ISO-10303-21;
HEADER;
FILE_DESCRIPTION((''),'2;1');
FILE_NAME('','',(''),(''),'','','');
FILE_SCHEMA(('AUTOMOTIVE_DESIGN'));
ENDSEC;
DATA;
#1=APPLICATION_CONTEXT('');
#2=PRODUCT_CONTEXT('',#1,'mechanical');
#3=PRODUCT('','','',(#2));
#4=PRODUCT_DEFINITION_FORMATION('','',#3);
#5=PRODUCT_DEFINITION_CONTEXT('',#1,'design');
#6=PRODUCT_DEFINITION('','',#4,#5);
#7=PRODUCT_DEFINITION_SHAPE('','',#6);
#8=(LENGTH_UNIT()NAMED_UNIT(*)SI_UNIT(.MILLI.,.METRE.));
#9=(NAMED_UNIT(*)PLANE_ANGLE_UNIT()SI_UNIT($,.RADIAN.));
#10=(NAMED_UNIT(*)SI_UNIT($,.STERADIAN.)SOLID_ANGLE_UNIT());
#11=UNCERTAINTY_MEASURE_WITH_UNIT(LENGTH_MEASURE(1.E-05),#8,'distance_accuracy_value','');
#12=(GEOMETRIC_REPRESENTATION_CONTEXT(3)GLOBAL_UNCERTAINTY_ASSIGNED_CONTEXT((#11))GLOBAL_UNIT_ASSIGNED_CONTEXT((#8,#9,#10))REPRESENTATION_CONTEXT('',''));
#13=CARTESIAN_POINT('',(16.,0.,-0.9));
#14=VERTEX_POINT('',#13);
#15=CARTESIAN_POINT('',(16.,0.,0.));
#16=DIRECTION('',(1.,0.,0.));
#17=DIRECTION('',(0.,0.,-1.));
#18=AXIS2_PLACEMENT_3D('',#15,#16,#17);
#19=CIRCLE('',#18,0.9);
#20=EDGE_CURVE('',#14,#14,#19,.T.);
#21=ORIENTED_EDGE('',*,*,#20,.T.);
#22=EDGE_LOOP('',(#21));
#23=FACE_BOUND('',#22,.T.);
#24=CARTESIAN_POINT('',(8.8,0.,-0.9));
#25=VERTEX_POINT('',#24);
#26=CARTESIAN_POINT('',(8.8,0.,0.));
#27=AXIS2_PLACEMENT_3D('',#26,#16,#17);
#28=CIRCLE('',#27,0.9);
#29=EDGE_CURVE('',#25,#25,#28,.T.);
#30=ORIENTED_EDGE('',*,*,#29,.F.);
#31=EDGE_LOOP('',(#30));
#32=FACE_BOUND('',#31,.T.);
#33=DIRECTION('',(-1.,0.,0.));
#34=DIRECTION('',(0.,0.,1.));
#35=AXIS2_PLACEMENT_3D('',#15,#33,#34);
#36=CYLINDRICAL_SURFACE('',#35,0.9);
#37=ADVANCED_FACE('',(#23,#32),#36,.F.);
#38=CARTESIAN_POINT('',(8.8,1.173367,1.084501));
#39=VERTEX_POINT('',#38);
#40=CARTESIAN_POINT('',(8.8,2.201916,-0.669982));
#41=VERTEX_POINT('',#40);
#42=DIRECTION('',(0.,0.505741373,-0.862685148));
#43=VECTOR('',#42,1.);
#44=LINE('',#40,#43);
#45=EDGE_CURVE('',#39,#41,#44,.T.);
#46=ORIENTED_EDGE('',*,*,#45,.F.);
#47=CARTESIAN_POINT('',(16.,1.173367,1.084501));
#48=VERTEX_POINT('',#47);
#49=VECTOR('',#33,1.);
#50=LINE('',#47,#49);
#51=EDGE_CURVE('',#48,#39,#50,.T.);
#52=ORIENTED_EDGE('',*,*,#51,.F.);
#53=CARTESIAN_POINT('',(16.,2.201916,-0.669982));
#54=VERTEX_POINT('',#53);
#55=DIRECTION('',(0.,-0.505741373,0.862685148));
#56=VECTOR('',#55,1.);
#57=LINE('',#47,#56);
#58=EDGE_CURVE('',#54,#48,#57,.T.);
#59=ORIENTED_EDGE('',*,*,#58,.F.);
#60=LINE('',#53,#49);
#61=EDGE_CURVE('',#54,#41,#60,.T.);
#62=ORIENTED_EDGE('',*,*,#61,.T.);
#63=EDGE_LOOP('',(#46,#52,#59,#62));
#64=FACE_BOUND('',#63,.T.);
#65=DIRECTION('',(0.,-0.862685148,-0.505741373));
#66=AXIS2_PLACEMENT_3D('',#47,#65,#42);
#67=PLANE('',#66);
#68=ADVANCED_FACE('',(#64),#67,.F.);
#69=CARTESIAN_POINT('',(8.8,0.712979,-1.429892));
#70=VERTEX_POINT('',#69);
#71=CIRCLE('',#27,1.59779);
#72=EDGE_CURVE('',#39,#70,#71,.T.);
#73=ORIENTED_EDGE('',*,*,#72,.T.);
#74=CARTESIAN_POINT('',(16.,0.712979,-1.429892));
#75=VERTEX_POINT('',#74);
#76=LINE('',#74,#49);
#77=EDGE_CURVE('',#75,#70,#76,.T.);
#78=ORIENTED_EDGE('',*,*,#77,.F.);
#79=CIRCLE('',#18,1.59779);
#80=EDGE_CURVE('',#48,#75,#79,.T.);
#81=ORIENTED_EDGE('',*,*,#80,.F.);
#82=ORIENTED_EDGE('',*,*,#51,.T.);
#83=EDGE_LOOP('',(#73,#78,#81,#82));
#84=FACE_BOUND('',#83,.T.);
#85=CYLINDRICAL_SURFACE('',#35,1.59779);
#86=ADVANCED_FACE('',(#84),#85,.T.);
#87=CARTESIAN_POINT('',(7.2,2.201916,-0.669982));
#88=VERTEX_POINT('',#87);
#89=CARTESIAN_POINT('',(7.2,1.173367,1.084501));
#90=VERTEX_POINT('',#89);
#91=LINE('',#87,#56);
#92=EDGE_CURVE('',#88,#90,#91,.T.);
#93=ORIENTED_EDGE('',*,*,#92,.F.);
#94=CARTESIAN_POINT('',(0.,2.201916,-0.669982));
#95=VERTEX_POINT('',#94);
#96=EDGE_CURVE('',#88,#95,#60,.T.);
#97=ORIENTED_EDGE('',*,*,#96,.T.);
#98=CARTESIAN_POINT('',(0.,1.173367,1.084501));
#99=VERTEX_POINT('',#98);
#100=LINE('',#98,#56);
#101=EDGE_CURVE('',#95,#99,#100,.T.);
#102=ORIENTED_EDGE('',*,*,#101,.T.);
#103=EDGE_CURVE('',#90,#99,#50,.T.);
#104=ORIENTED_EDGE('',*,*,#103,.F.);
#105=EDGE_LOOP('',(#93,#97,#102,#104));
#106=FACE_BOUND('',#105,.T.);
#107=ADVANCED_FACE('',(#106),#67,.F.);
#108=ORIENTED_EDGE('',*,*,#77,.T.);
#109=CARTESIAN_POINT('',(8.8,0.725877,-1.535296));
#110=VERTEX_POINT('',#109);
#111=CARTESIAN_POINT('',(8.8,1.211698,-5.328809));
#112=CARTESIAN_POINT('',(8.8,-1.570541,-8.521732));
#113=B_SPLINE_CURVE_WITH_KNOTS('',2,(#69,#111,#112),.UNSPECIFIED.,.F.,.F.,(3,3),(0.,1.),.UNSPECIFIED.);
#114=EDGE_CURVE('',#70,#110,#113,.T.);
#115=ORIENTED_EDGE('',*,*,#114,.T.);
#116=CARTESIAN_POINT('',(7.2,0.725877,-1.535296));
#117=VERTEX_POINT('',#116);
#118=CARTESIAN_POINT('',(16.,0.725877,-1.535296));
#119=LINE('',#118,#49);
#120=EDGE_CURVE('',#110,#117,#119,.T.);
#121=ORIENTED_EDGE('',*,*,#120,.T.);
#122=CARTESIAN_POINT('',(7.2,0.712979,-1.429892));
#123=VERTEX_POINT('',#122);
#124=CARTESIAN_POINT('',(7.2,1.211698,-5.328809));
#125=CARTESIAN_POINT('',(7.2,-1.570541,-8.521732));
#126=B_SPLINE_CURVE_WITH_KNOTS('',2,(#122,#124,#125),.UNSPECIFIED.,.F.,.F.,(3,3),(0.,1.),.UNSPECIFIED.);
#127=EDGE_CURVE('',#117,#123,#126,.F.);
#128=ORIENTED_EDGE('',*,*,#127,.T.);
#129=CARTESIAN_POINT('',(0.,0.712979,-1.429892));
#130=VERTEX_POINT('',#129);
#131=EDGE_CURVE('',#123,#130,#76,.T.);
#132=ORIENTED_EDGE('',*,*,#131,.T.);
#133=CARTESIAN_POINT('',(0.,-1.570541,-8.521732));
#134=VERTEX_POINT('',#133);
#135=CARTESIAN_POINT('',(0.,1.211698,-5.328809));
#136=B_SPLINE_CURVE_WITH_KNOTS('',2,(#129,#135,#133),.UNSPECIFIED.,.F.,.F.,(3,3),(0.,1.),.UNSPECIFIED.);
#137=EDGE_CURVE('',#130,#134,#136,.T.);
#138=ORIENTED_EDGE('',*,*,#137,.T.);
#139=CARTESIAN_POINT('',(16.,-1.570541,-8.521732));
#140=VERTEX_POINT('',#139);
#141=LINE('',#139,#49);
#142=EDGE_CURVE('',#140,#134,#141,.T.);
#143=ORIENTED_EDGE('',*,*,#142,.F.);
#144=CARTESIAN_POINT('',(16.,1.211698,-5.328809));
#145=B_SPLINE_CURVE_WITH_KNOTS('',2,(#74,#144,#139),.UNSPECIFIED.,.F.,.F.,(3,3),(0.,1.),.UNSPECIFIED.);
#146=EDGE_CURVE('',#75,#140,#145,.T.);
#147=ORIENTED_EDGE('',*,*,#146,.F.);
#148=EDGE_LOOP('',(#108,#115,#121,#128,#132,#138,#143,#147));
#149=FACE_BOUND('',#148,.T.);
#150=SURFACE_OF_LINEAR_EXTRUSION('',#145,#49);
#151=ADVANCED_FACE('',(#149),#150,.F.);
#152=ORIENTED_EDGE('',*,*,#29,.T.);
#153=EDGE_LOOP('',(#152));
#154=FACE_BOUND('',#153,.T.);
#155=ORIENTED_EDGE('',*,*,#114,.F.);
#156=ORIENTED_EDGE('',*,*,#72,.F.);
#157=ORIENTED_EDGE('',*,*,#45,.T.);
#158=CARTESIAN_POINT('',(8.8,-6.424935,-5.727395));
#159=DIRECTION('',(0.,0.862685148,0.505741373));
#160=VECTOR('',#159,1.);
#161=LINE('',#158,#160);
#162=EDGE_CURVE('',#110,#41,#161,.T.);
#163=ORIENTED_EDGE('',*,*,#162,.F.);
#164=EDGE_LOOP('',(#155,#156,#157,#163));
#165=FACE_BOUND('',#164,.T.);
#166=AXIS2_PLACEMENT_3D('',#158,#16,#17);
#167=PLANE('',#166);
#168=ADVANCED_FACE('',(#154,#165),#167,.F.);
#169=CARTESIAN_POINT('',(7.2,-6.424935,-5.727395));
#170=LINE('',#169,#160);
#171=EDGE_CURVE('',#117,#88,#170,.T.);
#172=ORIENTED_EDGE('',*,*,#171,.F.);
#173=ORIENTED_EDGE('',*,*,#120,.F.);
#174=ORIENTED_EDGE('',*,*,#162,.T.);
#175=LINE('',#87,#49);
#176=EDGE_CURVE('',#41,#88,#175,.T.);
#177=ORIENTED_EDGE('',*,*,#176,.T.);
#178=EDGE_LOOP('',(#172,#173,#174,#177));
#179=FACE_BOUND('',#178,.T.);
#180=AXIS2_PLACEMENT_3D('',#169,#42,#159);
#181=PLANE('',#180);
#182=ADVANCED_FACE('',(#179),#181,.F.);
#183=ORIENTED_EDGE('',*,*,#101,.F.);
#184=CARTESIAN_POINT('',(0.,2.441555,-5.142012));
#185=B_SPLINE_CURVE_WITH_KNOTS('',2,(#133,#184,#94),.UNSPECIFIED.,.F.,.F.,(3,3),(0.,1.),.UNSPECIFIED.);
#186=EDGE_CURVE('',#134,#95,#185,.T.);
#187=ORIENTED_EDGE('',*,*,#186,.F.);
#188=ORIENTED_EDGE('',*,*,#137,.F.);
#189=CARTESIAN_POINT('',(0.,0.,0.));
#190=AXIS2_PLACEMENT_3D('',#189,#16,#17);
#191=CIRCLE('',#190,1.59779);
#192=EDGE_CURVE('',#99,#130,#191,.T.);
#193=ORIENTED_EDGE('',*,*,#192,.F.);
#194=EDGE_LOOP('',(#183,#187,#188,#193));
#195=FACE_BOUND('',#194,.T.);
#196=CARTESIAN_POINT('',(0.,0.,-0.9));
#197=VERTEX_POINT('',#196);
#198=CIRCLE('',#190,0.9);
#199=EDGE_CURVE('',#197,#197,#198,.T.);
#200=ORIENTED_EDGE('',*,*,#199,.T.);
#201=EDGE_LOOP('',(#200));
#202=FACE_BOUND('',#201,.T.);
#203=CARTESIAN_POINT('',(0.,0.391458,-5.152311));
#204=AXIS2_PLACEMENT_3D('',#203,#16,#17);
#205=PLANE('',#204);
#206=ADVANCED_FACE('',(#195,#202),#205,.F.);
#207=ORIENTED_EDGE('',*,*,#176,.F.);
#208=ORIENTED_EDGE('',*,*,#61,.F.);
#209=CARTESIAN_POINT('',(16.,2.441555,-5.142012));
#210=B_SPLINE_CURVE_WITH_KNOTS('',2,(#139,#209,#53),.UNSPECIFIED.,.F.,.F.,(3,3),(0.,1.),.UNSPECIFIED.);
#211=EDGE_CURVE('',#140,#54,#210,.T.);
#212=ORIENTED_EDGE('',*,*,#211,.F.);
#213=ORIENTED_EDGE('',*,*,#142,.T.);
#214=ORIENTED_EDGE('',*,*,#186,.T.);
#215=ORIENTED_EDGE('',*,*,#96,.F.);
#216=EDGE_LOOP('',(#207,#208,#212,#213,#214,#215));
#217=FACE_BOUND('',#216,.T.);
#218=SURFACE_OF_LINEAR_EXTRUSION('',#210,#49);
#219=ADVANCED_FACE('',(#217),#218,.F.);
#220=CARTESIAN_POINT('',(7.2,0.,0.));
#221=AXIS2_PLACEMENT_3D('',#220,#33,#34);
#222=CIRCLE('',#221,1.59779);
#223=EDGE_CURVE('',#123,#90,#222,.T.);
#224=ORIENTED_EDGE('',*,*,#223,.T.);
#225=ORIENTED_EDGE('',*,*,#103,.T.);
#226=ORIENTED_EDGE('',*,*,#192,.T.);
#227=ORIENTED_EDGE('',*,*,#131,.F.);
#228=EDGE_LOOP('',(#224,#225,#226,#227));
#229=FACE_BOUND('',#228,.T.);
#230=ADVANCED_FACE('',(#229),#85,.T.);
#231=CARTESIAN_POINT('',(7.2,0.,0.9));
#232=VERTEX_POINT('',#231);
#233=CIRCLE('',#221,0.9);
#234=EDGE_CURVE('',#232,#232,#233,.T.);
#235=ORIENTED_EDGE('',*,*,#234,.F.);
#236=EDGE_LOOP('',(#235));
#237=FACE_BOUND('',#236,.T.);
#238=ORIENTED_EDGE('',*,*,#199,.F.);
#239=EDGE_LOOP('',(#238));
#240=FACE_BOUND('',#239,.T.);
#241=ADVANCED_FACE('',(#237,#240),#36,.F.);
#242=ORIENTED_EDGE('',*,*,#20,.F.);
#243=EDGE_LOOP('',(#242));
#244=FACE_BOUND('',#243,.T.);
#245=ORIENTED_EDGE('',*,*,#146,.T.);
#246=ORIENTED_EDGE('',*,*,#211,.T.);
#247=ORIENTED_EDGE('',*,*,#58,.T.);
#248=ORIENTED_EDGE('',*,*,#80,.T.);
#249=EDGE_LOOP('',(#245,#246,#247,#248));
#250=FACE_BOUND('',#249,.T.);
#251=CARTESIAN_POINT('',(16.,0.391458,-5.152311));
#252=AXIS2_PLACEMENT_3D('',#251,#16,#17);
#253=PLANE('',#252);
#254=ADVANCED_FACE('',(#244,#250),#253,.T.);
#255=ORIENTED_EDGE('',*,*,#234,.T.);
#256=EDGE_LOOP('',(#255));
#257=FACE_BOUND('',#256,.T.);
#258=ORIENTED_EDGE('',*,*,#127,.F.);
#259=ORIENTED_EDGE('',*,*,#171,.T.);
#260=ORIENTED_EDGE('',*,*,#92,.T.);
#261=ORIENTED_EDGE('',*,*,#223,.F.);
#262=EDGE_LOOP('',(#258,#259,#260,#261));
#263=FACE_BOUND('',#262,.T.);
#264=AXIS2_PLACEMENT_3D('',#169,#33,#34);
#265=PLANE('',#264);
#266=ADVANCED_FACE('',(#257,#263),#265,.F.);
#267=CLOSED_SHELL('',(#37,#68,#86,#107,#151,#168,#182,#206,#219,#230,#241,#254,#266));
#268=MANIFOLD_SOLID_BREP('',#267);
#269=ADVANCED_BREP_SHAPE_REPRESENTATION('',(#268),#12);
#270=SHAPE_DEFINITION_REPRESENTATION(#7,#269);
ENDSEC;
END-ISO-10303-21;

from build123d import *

# Parameters (mm, degrees)
SKETCH1_R           = 0.9
BOSS_EXTRUDE1_DEPTH = 16
SKETCH2_W           = 1.6
SKETCH2_H           = 4.200659695
CUT_EXTRUDE1_DEPTH  = 10


with BuildPart() as part:
    # Sketch1 → Boss-Extrude1 (new body)
    with BuildSketch(Plane(origin=(0, 0, 0), x_dir=(0, 0, -1), z_dir=(1, 0, 0))):
        with BuildLine():
            Line((-1.084501086, 1.173366689), (0.669981536, 2.201916273))
            add(Edge.make_bspline(
                [(0.669981536, 2.201916273), (5.142012003, 2.441554719), (8.521732168, -1.570541081)],
                knots=[0, 0, 0, 1, 1, 1], degree=2))
            add(Edge.make_bspline(
                [(1.429892444, 0.712979376), (5.328809075, 1.211697848), (8.521732168, -1.570541081)],
                knots=[0, 0, 0, 1, 1, 1], degree=2))
            ThreePointArc((1.429892444, 0.712979376), (-0.287772336, -1.571661247), (-1.084501086, 1.173366689))
        make_face()
        Circle(SKETCH1_R, mode=Mode.SUBTRACT)
    extrude(amount=BOSS_EXTRUDE1_DEPTH)

    # Sketch2 → Cut-Extrude1 (cut)
    with BuildSketch(Plane(origin=(0, 1.346412624, 0.789322234), x_dir=(1, 0, 0), z_dir=(0, 0.8626851476678137, 0.5057413726336444))):
        with Locations((8, -0.408746569)):
            Rectangle(SKETCH2_W, SKETCH2_H)
    extrude(amount=-CUT_EXTRUDE1_DEPTH, mode=Mode.SUBTRACT)


solid = part.part
